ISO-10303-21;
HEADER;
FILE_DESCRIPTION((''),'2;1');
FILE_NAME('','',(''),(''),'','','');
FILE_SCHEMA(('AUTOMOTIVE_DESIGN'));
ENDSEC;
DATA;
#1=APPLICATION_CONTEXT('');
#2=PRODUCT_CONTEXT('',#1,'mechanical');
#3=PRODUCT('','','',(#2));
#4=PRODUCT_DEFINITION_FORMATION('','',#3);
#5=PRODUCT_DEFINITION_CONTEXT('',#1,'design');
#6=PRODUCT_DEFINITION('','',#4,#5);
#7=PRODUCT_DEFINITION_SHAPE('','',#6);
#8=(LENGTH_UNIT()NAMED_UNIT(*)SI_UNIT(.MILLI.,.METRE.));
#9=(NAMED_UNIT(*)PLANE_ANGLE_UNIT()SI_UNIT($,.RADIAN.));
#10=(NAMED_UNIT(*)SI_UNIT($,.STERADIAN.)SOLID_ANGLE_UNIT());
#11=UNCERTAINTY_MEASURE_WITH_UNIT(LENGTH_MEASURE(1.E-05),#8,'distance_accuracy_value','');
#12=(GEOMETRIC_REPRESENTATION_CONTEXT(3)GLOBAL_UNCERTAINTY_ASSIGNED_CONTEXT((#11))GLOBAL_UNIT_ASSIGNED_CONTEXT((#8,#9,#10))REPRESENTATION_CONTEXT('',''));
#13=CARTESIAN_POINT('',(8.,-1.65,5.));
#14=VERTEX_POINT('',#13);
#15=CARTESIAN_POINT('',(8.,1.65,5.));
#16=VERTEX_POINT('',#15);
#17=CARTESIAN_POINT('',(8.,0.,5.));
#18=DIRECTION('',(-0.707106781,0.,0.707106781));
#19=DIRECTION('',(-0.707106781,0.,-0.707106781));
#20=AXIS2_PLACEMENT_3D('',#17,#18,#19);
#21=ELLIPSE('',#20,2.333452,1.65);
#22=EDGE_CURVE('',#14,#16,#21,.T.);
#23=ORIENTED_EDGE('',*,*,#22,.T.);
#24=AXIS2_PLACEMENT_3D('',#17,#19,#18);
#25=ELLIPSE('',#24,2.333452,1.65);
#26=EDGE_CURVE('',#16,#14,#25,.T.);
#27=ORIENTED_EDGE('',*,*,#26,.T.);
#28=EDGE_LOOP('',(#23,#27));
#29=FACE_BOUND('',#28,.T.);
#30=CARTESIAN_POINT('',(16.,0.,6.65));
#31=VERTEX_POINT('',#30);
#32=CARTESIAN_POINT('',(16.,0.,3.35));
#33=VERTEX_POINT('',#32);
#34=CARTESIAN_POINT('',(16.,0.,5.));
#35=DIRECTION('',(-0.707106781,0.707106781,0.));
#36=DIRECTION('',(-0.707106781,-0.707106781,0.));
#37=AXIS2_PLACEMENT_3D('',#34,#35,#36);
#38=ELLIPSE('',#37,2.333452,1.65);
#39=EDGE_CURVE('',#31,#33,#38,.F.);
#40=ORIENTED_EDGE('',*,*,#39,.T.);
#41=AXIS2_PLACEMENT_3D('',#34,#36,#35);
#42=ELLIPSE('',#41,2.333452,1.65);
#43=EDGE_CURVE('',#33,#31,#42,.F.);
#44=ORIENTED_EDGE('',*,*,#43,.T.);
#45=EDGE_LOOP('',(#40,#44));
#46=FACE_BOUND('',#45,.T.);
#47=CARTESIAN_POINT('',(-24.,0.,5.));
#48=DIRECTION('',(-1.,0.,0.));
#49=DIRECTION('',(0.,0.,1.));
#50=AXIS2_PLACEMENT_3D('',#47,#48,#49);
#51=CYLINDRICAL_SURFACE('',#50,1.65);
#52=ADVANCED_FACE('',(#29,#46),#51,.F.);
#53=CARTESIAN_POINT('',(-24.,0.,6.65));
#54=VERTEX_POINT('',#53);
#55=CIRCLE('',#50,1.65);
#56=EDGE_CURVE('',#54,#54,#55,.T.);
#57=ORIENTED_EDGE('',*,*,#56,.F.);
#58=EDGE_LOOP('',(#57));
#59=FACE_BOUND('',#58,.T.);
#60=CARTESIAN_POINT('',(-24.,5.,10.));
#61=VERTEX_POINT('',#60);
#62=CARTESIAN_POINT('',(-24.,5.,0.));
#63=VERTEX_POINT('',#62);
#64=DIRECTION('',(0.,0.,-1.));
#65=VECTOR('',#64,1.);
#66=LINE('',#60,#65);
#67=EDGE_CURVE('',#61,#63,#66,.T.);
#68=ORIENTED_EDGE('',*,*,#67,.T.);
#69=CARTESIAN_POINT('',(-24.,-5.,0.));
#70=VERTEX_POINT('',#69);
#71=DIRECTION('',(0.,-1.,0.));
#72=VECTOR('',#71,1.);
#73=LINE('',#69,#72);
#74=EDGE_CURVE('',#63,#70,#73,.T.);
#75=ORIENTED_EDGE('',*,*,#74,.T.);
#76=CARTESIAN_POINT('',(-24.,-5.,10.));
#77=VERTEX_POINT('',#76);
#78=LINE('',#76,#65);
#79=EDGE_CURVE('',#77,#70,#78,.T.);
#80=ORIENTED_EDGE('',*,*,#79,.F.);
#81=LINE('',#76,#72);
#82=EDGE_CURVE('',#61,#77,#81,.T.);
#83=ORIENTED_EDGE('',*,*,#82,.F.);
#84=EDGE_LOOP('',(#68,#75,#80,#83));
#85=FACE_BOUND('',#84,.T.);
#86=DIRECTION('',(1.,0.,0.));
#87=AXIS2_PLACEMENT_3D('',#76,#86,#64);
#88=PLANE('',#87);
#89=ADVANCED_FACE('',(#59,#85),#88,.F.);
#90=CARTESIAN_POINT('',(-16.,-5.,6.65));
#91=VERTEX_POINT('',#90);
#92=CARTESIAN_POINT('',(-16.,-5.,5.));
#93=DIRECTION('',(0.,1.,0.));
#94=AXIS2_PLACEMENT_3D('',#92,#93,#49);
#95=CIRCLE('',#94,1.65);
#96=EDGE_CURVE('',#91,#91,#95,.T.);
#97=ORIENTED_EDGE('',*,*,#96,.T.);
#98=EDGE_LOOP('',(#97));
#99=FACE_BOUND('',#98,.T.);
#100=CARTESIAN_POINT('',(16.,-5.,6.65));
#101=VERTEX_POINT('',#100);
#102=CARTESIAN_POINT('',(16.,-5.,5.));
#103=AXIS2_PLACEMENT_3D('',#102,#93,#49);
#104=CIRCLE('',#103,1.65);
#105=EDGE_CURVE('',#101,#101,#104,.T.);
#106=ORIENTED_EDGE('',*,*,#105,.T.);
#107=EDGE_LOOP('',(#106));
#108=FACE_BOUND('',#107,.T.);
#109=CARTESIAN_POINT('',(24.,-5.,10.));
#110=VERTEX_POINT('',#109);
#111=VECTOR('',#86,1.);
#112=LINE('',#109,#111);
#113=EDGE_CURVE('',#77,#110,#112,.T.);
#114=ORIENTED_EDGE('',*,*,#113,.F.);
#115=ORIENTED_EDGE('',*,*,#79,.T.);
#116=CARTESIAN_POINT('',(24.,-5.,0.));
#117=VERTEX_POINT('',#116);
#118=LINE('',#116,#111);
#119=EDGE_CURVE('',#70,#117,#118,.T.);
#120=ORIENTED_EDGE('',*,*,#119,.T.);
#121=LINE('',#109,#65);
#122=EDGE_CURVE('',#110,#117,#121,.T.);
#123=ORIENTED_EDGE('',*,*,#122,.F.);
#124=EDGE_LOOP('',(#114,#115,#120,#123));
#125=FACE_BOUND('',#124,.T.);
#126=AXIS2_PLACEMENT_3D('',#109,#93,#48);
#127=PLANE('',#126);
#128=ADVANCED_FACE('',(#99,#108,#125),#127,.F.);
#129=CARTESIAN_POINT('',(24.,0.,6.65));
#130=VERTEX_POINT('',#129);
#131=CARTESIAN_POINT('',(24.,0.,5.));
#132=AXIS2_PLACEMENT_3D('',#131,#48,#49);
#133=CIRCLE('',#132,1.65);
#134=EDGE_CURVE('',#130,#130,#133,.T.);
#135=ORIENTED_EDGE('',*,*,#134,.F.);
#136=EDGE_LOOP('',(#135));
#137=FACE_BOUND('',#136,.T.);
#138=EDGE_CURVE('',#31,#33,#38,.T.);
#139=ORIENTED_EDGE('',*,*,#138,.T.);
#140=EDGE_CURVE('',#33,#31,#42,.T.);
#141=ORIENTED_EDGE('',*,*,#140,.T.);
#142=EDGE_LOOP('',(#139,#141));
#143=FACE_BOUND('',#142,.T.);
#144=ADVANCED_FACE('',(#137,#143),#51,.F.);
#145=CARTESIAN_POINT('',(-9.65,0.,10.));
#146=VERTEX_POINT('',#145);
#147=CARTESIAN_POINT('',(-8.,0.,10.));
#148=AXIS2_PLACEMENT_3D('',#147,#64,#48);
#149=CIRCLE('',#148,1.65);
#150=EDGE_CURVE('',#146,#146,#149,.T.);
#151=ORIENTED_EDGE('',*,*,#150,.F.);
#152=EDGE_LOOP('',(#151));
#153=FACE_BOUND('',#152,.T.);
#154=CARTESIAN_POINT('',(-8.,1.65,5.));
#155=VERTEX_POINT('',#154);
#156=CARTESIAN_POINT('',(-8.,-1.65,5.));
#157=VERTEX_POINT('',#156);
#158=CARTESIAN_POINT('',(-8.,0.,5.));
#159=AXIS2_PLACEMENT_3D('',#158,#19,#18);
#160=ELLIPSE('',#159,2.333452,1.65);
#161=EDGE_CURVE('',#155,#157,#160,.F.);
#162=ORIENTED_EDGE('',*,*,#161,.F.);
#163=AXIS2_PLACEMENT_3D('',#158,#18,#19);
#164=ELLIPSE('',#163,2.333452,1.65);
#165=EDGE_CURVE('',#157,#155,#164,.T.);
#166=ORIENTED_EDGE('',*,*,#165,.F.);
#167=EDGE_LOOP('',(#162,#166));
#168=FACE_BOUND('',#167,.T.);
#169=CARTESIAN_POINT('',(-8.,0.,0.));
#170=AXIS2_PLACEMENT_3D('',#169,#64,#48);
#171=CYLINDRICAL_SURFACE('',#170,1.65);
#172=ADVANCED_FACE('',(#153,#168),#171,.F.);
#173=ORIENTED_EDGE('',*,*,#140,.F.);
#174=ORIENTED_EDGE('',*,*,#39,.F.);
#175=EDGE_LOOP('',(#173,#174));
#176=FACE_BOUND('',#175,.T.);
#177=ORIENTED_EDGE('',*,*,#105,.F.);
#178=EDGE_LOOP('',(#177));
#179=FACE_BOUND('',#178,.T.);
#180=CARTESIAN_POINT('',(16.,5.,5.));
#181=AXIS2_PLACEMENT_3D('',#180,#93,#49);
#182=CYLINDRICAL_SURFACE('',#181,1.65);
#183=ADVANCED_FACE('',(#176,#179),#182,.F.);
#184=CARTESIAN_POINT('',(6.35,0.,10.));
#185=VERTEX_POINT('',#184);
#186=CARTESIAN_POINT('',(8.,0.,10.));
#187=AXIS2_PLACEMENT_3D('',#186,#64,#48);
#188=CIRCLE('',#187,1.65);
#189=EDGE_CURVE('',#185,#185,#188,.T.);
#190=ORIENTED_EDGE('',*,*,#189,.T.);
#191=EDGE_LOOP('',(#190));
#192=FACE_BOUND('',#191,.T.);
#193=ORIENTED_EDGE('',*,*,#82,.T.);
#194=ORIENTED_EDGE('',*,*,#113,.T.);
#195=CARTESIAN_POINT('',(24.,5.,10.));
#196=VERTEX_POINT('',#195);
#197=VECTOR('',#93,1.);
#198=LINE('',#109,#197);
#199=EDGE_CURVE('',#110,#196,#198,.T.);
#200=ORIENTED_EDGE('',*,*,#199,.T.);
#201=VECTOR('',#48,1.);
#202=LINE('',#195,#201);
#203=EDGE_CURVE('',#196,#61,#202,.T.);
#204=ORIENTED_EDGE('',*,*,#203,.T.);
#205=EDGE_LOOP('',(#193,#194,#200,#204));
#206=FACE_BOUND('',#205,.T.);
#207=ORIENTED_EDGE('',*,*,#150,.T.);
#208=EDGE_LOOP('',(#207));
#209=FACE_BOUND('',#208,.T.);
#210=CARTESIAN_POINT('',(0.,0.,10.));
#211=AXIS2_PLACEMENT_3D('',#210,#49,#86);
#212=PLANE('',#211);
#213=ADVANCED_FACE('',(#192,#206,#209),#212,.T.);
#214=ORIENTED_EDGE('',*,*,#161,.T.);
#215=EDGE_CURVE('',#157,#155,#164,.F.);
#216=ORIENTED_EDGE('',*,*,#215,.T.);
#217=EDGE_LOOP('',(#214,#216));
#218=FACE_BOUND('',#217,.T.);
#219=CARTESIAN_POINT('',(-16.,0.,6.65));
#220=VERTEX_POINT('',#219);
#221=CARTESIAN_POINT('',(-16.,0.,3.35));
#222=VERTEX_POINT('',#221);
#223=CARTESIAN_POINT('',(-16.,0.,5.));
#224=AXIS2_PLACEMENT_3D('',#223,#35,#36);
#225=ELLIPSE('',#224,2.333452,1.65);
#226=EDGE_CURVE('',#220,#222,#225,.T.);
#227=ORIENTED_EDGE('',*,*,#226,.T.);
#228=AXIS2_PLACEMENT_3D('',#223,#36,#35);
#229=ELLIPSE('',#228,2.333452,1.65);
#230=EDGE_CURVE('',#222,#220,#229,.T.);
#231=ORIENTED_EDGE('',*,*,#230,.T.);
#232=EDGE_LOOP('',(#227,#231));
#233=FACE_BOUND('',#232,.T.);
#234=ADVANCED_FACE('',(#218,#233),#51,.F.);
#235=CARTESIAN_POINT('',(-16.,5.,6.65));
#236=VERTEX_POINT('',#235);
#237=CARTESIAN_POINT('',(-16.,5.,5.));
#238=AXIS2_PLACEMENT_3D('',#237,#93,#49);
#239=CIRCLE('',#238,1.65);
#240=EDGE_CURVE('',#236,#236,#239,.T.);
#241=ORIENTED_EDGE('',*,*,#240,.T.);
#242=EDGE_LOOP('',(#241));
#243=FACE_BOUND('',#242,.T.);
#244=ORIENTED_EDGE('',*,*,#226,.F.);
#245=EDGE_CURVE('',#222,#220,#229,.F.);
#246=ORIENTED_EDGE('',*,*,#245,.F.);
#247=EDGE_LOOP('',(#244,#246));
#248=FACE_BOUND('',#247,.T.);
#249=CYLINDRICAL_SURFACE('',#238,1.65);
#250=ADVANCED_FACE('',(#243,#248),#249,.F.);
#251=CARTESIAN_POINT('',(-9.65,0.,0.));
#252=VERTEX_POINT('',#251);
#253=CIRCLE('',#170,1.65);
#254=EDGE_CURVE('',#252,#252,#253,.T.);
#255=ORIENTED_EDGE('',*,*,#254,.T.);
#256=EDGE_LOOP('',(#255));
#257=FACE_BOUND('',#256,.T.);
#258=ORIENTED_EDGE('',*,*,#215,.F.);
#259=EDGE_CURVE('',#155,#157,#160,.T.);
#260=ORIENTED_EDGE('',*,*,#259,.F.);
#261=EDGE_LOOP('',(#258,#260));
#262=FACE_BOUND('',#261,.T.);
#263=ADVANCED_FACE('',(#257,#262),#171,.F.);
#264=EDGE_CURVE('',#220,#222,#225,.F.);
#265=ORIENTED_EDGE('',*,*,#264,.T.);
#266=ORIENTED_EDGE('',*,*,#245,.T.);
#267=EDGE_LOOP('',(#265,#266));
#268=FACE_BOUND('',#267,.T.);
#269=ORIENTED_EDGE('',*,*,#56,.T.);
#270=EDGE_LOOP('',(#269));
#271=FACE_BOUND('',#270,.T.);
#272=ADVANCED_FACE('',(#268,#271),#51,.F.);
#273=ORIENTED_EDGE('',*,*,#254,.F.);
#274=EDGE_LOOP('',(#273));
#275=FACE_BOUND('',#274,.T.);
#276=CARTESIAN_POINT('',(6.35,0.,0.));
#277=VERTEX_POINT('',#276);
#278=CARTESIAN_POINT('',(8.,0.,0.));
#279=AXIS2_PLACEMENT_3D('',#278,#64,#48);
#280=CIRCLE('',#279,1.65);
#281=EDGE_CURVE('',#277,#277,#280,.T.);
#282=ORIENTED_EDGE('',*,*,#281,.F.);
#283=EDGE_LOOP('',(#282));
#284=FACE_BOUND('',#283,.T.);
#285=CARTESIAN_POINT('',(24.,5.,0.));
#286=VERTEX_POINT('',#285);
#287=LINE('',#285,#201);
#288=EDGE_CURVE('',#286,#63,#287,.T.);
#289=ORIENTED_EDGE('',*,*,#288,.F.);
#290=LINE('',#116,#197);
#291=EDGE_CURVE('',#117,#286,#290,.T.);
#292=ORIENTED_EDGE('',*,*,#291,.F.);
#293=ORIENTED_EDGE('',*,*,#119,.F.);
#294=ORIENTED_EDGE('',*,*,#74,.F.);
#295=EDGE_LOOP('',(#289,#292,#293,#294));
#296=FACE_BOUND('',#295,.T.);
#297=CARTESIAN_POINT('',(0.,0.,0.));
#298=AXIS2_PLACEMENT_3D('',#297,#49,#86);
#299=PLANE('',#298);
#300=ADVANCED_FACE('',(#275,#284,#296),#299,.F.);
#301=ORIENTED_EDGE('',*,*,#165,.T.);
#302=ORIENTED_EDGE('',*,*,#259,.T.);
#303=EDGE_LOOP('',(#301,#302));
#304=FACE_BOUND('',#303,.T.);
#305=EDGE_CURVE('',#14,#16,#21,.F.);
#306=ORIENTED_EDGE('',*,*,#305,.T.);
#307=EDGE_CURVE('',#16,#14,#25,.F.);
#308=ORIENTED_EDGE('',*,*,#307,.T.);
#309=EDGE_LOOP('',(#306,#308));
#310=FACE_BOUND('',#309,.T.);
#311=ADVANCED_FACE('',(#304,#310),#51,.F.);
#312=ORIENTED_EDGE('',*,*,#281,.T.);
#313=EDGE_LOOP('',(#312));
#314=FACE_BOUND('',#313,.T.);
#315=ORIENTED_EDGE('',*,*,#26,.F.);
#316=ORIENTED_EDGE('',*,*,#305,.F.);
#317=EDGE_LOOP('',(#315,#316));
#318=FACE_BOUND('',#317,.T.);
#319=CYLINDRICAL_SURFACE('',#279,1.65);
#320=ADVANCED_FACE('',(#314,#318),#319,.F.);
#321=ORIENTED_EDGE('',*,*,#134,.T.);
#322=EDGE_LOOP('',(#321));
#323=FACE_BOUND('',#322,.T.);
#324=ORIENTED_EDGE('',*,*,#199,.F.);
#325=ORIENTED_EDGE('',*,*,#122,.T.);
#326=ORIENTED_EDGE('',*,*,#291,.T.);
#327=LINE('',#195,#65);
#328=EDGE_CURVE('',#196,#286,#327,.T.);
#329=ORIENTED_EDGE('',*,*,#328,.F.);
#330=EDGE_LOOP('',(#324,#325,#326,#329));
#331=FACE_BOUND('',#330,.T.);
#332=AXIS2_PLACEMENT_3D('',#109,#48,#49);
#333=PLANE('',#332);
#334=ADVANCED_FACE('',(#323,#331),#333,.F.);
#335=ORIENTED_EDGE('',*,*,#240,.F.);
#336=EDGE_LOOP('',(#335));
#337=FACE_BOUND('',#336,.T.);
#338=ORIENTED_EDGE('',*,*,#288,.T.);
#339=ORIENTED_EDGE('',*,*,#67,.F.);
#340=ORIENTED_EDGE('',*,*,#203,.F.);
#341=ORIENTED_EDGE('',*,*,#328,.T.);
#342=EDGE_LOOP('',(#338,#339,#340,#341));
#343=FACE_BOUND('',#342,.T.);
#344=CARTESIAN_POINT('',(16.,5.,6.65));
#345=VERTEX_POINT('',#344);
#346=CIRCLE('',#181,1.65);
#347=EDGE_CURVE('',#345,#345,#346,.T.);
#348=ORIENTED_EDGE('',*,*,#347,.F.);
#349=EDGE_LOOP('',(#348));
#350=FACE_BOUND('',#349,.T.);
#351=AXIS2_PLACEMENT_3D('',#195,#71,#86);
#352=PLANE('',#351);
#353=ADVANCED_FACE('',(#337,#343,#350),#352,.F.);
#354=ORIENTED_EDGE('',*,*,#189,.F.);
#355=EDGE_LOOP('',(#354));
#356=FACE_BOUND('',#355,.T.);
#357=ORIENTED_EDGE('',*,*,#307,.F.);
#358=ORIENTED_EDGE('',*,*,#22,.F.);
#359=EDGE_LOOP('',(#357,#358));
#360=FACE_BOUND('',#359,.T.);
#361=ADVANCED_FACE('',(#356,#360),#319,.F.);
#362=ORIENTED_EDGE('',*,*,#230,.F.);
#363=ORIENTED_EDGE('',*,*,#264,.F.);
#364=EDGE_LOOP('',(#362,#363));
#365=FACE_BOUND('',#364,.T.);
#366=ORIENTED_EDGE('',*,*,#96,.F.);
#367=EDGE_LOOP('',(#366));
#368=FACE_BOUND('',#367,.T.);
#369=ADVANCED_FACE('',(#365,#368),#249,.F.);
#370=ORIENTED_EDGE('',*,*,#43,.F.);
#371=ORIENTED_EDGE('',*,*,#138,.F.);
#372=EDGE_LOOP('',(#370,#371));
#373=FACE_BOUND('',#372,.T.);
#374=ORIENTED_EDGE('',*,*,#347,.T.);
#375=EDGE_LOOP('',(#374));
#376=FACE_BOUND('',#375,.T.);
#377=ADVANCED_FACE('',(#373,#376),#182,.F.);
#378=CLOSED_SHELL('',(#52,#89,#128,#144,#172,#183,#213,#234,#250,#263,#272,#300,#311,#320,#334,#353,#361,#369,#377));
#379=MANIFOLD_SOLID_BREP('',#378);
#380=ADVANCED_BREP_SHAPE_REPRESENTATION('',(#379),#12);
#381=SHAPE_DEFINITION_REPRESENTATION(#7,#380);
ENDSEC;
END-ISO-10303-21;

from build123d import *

# Parameters (mm, degrees)
SKETCH_1_W         = 48
SKETCH_1_H         = 10
EXTRUDE_1_DEPTH    = 10
HOLE_WIZARD_M4_1_D = 3.3
HOLE_WIZARD_M4_2_D = 3.3
HOLE_WIZARD_M4_3_D = 3.3
HOLE_WIZARD_M4_4_D = 3.3
HOLE_WIZARD_M4_5_D = 3.3


with BuildPart() as part:
    # 草图1 → 凸台-拉伸1 (new body)
    with BuildSketch(Plane.XY):
        Rectangle(SKETCH_1_W, SKETCH_1_H)
    extrude(amount=EXTRUDE_1_DEPTH)

    # M4 螺纹孔的螺纹孔钻头1 (through all)
    with Locations(Plane(origin=(-24, 0, 5), x_dir=(0, 0, -1), z_dir=(-1, 0, 0))):
        with Locations((0, 0)):
            Hole(HOLE_WIZARD_M4_1_D / 2)

    # M4 螺纹孔的螺纹孔钻头2 (through all)
    with Locations(Plane(origin=(8, 0, 0), x_dir=(-1, 0, 0), z_dir=(0, 0, -1))):
        with Locations((0, 0)):
            Hole(HOLE_WIZARD_M4_2_D / 2)

    # M4 螺纹孔的螺纹孔钻头3 (through all)
    with Locations(Plane(origin=(-8, 0, 0), x_dir=(-1, 0, 0), z_dir=(0, 0, -1))):
        with Locations((0, 0)):
            Hole(HOLE_WIZARD_M4_3_D / 2)

    # M4 螺纹孔的螺纹孔钻头4 (through all)
    with Locations(Plane(origin=(16, 5, 5), x_dir=(1, 0, 0), z_dir=(0, 1, 0))):
        with Locations((0, 0)):
            Hole(HOLE_WIZARD_M4_4_D / 2)

    # M4 螺纹孔的螺纹孔钻头5 (through all)
    with Locations(Plane(origin=(-16, 5, 5), x_dir=(1, 0, 0), z_dir=(0, 1, 0))):
        with Locations((0, 0)):
            Hole(HOLE_WIZARD_M4_5_D / 2)


solid = part.part
